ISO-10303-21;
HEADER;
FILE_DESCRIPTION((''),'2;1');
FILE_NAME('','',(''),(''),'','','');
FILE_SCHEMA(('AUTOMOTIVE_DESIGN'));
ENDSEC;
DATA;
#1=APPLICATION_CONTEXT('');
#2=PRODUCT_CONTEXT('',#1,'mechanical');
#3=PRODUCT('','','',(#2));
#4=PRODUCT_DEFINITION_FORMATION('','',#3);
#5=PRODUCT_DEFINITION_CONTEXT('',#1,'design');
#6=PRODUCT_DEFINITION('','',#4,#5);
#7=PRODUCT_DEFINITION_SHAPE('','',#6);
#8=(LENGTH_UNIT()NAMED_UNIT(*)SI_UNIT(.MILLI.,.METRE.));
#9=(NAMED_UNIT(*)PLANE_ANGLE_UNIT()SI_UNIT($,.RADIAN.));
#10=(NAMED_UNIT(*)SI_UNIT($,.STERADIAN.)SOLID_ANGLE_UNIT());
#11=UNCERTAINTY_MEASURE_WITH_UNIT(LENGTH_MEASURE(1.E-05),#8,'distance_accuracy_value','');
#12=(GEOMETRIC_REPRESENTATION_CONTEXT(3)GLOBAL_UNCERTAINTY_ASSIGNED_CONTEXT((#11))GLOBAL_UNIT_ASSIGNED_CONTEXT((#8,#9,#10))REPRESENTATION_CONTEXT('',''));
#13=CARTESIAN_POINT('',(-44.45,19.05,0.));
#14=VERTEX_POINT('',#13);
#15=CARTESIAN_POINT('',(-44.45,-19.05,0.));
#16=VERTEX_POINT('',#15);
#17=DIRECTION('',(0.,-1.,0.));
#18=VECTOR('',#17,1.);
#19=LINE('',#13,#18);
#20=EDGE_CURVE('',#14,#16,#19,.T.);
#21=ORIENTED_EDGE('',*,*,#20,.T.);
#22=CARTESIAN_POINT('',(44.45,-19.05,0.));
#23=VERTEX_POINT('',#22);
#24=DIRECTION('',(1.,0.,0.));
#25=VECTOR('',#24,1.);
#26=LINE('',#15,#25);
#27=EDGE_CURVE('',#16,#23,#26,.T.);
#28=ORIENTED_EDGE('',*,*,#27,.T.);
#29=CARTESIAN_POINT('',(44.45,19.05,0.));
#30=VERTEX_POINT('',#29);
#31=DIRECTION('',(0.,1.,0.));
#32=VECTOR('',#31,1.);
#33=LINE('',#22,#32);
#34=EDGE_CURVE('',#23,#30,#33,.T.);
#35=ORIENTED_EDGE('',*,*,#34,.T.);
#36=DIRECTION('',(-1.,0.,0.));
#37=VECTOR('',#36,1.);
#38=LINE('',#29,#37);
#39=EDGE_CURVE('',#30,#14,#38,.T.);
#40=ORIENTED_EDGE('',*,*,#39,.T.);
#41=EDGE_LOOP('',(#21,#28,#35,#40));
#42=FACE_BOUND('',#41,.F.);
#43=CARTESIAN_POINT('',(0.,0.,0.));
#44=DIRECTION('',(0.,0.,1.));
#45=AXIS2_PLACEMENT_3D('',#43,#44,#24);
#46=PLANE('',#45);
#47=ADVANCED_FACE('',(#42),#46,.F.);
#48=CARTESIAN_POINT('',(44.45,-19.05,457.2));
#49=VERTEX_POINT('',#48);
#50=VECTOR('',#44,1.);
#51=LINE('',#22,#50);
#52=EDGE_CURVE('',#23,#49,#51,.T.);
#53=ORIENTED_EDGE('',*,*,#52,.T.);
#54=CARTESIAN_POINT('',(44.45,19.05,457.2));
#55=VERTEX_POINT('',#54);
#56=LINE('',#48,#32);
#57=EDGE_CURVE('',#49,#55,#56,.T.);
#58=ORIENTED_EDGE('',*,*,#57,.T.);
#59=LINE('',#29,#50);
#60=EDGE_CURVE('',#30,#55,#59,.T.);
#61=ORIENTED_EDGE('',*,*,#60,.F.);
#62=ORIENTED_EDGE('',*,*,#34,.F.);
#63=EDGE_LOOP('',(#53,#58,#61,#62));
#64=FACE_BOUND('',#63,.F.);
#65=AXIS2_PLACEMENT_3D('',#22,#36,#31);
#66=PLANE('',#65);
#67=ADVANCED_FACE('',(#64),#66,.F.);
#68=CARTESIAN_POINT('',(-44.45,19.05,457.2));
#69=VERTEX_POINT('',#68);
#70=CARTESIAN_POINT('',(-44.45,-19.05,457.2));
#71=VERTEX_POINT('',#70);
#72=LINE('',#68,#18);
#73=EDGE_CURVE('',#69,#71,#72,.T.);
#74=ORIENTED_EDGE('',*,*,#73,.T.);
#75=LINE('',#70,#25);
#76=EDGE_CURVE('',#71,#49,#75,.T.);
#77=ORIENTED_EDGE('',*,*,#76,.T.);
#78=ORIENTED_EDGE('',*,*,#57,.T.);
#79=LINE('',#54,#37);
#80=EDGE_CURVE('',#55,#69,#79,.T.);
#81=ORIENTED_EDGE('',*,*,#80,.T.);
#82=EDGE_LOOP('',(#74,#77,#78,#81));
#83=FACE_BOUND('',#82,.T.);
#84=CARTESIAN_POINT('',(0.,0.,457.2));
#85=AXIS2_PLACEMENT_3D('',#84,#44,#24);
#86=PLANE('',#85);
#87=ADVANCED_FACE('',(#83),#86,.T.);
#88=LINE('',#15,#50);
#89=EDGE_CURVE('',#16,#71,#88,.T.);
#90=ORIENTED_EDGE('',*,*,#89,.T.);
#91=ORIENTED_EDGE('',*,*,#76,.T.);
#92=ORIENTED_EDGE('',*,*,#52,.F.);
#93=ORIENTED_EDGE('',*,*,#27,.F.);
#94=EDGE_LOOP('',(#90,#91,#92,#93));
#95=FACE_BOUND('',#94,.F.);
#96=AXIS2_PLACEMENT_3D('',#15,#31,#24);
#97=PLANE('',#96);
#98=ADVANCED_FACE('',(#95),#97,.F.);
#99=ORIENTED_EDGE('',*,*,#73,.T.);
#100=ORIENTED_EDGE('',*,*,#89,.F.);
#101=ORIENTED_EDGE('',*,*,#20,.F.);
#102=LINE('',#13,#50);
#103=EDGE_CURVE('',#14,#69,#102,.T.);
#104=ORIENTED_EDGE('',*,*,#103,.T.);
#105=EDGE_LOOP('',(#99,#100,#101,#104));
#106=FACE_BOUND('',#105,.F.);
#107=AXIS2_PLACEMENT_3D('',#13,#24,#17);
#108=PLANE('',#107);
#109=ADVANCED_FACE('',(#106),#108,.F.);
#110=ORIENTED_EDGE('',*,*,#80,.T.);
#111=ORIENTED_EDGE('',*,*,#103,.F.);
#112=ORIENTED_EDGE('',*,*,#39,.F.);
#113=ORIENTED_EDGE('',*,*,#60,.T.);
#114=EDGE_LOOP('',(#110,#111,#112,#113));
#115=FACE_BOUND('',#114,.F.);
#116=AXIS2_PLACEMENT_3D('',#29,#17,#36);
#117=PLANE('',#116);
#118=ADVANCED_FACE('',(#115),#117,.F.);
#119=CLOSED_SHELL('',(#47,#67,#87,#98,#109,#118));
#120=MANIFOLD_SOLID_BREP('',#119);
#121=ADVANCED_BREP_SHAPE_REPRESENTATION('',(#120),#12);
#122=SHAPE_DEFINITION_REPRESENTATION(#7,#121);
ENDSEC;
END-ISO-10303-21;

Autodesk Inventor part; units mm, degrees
ref_plane "YZ Plane" through (0, 0, 0) normal (1, 0, 0) x (0, 1, 0)
ref_plane "XZ Plane" through (0, 0, 0) normal (0, 1, 0) x (-1, 0, 0)
ref_plane "XY Plane" through (0, 0, 0) normal (0, 0, 1) x (1, 0, 0)
sketch "Sketch1" plane through (0, 0, 0) normal (0, 0, 1) x (1, 0, 0)
  line L0 (-44.45, -19.05) -> (44.45, -19.05)
  line L1 (44.45, -19.05) -> (44.45, 19.05)
  line L2 (44.45, 19.05) -> (-44.45, 19.05)
  line L3 (-44.45, 19.05) -> (-44.45, -19.05)
  line L4 (-44.45, -19.05) -> (44.45, 19.05) construction
  line L5 (44.45, -19.05) -> (-44.45, 19.05) construction
  point P0 (0, 0)
  dimension "d0" = 88.9
  dimension "d1" = 38.1
extrude "Extrusion1" add sketch "Sketch1" along normal blind 457.2
properties part number "2x4x18"
